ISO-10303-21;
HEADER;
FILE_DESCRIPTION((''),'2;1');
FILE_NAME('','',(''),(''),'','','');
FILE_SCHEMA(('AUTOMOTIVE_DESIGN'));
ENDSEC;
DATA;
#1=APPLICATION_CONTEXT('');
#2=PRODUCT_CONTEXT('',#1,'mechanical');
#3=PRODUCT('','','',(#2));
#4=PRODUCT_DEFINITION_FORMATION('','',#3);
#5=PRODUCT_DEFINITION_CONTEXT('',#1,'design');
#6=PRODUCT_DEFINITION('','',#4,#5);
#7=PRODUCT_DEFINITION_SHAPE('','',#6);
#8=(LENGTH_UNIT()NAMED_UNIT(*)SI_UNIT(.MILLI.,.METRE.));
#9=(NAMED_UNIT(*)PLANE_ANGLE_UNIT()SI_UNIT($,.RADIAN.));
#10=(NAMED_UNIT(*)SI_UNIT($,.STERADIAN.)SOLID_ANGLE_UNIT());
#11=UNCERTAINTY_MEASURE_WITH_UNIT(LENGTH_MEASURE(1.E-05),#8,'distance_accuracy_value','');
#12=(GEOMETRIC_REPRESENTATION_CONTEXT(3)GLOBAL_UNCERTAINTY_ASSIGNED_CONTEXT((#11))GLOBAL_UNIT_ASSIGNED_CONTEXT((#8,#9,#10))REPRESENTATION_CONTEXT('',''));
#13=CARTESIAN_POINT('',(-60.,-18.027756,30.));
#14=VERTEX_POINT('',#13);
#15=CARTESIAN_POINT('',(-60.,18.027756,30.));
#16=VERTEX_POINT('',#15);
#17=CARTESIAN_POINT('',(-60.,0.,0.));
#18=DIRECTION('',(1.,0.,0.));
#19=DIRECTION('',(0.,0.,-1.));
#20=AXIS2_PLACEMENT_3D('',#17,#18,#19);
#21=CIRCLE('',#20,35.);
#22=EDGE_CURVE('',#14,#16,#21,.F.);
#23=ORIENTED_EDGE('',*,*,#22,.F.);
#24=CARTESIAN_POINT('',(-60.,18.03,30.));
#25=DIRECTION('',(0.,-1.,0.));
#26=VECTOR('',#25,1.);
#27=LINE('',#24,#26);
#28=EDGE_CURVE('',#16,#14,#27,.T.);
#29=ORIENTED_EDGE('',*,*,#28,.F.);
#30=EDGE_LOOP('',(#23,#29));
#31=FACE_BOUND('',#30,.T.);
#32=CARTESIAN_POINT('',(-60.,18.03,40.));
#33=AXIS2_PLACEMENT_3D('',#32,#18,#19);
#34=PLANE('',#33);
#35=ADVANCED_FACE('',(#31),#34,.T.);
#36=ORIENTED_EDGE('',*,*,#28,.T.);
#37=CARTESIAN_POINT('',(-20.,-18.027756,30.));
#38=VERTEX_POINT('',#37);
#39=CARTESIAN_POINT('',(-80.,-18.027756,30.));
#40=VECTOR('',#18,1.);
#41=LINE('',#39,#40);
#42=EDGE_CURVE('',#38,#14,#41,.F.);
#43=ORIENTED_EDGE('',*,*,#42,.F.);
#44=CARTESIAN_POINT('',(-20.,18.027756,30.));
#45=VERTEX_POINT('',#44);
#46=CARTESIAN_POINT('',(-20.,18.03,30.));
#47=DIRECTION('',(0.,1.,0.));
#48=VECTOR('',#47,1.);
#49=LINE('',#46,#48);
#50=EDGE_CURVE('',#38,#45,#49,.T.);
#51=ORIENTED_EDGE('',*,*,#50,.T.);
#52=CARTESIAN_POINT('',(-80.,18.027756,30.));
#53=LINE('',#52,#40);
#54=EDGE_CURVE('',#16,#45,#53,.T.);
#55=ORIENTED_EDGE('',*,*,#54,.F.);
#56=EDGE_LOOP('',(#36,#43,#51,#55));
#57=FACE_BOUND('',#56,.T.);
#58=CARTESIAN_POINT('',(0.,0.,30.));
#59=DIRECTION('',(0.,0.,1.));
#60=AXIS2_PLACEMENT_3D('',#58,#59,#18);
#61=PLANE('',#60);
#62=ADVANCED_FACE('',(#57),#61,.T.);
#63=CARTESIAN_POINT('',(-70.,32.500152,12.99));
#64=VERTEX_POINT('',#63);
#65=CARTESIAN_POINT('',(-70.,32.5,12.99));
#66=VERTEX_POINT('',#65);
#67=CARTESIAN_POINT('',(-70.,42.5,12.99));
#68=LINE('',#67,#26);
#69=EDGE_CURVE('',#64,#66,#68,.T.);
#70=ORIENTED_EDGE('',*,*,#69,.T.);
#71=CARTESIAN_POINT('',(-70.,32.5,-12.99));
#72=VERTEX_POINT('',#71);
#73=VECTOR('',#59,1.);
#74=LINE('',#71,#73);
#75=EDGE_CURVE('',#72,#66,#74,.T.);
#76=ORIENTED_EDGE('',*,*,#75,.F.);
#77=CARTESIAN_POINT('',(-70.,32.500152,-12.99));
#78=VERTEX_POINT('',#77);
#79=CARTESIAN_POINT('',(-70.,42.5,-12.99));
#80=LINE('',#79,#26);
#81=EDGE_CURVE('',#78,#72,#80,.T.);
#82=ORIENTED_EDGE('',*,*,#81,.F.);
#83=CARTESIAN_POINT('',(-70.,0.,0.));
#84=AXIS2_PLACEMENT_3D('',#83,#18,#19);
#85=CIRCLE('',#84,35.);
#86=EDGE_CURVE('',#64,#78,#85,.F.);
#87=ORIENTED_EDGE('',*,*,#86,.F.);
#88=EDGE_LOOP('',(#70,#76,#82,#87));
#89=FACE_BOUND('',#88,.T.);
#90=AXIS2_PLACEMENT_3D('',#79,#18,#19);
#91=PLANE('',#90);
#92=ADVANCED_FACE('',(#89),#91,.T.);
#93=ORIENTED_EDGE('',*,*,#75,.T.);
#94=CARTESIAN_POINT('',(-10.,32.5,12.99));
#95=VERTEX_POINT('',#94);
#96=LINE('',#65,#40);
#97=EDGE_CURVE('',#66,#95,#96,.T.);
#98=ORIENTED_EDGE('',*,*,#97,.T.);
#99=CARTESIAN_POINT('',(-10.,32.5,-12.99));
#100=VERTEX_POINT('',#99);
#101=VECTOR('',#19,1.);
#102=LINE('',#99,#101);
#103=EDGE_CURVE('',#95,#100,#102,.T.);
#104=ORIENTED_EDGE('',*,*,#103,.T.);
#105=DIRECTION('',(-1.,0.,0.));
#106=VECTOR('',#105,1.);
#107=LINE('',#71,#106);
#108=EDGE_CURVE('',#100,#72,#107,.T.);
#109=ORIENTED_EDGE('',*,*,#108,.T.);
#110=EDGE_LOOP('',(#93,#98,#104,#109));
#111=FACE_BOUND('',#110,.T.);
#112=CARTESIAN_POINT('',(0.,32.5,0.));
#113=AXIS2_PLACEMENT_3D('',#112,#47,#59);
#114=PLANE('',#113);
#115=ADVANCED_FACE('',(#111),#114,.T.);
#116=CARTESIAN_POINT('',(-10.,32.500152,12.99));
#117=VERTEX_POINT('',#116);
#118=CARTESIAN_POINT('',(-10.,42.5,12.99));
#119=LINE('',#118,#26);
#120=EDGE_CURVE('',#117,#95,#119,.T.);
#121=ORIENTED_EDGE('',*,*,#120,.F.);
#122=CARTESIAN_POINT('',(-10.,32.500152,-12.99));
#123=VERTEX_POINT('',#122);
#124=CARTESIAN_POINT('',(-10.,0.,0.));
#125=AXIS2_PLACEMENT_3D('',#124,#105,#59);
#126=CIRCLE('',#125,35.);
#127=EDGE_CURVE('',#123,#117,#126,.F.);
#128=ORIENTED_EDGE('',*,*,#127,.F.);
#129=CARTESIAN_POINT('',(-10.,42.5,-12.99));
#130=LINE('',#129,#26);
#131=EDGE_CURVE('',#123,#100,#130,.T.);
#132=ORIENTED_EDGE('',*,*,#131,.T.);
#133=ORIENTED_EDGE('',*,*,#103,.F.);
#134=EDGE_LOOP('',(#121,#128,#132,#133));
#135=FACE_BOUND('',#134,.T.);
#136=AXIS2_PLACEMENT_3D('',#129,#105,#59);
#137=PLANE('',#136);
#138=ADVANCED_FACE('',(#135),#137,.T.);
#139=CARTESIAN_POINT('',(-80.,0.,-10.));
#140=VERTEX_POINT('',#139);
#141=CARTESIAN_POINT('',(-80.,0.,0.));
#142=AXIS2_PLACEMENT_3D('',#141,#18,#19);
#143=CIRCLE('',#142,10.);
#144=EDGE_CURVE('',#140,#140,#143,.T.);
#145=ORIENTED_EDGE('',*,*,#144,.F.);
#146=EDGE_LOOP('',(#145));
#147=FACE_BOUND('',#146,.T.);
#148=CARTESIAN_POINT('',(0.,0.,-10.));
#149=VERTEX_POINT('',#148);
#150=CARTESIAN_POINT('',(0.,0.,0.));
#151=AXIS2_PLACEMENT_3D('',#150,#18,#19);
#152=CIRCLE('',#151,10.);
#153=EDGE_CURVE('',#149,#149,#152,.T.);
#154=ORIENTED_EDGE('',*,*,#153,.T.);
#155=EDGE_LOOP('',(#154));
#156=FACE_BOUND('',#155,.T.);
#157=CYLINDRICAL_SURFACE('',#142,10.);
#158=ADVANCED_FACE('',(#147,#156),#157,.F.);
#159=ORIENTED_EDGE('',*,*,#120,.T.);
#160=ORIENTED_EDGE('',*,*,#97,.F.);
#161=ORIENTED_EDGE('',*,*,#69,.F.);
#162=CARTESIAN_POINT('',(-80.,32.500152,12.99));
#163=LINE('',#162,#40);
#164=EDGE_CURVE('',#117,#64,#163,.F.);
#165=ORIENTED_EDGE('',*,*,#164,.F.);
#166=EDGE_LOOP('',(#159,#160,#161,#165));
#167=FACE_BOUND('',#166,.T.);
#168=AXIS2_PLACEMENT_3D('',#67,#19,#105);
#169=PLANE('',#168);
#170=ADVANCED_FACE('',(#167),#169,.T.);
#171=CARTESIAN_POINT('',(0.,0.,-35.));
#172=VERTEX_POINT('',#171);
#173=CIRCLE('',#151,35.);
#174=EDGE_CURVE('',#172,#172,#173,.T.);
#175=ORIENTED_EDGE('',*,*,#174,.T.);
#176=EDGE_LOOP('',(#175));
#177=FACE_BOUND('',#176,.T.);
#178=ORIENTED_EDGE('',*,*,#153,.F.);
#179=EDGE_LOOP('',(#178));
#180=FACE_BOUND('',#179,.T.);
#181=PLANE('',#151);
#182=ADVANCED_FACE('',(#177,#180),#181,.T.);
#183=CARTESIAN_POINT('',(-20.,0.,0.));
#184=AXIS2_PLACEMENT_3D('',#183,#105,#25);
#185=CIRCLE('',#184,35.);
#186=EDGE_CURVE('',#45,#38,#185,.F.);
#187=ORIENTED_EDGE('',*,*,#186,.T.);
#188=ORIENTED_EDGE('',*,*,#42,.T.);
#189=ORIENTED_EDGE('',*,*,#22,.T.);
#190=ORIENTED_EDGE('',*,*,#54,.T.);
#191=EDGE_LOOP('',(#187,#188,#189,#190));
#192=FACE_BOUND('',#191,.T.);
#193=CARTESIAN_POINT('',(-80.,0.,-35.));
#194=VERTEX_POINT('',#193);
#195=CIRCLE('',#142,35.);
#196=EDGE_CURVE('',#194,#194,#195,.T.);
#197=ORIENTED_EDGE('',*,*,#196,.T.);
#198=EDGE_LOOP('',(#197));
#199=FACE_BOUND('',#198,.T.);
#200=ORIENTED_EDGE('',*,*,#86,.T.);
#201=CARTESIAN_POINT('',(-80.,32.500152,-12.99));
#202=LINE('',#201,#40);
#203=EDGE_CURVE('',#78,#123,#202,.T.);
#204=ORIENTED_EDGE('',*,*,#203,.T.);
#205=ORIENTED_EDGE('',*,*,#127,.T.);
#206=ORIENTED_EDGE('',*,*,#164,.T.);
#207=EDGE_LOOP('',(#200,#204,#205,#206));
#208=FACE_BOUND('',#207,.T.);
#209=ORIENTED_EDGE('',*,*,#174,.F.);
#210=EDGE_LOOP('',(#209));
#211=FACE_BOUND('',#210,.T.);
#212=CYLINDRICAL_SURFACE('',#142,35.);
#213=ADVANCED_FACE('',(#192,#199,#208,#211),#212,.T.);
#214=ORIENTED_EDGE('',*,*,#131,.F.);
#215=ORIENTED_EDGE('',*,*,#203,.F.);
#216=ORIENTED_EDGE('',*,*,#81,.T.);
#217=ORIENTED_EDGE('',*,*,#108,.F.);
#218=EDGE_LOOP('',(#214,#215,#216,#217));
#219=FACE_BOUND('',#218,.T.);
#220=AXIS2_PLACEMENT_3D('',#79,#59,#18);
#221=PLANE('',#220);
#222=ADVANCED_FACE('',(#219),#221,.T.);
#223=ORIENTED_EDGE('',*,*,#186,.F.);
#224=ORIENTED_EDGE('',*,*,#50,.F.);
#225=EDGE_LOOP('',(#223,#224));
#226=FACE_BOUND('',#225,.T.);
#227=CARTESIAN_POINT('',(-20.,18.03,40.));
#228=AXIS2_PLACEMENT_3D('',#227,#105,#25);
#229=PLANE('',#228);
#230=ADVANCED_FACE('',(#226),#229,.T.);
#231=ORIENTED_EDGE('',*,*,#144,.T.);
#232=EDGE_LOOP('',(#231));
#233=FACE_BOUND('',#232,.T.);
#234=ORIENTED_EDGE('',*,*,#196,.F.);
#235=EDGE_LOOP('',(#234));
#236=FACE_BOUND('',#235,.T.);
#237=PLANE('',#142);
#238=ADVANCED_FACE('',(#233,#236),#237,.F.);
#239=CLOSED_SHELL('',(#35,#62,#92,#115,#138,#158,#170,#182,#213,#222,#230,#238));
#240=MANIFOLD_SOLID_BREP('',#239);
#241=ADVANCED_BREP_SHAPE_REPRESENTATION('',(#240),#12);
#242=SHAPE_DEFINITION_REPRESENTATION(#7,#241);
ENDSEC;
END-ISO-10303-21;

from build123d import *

# Parameters (mm, degrees)
SKETCH5_R           = 35
SKETCH5_R_2         = 10
BOSS_EXTRUDE2_DEPTH = 80
SKETCH6_W           = 60
SKETCH6_H           = 25.98
CUT_EXTRUDE3_DEPTH  = 10
SKETCH7_W           = 40
SKETCH7_H           = 36.06
CUT_EXTRUDE4_DEPTH  = 10


with BuildPart() as part:
    # Sketch5 → Boss-Extrude2 (new body)
    with BuildSketch(Plane(origin=(0, 0, 0), x_dir=(0, 0, -1), z_dir=(1, 0, 0))):
        Circle(SKETCH5_R)
        Circle(SKETCH5_R_2, mode=Mode.SUBTRACT)
    extrude(amount=-BOSS_EXTRUDE2_DEPTH)

    # Sketch6 → Cut-Extrude3 (cut)
    with BuildSketch(Plane(origin=(0, 32.5, 0), x_dir=(1, 0, 0), z_dir=(0, 1, 0))):
        with Locations((-40, 0)):
            Rectangle(SKETCH6_W, SKETCH6_H)
    extrude(amount=CUT_EXTRUDE3_DEPTH, mode=Mode.SUBTRACT)

    # Sketch7 → Cut-Extrude4 (cut)
    with BuildSketch(Plane.XY.offset(30)):
        with Locations((-40, 0)):
            Rectangle(SKETCH7_W, SKETCH7_H)
    extrude(amount=CUT_EXTRUDE4_DEPTH, mode=Mode.SUBTRACT)


solid = part.part
